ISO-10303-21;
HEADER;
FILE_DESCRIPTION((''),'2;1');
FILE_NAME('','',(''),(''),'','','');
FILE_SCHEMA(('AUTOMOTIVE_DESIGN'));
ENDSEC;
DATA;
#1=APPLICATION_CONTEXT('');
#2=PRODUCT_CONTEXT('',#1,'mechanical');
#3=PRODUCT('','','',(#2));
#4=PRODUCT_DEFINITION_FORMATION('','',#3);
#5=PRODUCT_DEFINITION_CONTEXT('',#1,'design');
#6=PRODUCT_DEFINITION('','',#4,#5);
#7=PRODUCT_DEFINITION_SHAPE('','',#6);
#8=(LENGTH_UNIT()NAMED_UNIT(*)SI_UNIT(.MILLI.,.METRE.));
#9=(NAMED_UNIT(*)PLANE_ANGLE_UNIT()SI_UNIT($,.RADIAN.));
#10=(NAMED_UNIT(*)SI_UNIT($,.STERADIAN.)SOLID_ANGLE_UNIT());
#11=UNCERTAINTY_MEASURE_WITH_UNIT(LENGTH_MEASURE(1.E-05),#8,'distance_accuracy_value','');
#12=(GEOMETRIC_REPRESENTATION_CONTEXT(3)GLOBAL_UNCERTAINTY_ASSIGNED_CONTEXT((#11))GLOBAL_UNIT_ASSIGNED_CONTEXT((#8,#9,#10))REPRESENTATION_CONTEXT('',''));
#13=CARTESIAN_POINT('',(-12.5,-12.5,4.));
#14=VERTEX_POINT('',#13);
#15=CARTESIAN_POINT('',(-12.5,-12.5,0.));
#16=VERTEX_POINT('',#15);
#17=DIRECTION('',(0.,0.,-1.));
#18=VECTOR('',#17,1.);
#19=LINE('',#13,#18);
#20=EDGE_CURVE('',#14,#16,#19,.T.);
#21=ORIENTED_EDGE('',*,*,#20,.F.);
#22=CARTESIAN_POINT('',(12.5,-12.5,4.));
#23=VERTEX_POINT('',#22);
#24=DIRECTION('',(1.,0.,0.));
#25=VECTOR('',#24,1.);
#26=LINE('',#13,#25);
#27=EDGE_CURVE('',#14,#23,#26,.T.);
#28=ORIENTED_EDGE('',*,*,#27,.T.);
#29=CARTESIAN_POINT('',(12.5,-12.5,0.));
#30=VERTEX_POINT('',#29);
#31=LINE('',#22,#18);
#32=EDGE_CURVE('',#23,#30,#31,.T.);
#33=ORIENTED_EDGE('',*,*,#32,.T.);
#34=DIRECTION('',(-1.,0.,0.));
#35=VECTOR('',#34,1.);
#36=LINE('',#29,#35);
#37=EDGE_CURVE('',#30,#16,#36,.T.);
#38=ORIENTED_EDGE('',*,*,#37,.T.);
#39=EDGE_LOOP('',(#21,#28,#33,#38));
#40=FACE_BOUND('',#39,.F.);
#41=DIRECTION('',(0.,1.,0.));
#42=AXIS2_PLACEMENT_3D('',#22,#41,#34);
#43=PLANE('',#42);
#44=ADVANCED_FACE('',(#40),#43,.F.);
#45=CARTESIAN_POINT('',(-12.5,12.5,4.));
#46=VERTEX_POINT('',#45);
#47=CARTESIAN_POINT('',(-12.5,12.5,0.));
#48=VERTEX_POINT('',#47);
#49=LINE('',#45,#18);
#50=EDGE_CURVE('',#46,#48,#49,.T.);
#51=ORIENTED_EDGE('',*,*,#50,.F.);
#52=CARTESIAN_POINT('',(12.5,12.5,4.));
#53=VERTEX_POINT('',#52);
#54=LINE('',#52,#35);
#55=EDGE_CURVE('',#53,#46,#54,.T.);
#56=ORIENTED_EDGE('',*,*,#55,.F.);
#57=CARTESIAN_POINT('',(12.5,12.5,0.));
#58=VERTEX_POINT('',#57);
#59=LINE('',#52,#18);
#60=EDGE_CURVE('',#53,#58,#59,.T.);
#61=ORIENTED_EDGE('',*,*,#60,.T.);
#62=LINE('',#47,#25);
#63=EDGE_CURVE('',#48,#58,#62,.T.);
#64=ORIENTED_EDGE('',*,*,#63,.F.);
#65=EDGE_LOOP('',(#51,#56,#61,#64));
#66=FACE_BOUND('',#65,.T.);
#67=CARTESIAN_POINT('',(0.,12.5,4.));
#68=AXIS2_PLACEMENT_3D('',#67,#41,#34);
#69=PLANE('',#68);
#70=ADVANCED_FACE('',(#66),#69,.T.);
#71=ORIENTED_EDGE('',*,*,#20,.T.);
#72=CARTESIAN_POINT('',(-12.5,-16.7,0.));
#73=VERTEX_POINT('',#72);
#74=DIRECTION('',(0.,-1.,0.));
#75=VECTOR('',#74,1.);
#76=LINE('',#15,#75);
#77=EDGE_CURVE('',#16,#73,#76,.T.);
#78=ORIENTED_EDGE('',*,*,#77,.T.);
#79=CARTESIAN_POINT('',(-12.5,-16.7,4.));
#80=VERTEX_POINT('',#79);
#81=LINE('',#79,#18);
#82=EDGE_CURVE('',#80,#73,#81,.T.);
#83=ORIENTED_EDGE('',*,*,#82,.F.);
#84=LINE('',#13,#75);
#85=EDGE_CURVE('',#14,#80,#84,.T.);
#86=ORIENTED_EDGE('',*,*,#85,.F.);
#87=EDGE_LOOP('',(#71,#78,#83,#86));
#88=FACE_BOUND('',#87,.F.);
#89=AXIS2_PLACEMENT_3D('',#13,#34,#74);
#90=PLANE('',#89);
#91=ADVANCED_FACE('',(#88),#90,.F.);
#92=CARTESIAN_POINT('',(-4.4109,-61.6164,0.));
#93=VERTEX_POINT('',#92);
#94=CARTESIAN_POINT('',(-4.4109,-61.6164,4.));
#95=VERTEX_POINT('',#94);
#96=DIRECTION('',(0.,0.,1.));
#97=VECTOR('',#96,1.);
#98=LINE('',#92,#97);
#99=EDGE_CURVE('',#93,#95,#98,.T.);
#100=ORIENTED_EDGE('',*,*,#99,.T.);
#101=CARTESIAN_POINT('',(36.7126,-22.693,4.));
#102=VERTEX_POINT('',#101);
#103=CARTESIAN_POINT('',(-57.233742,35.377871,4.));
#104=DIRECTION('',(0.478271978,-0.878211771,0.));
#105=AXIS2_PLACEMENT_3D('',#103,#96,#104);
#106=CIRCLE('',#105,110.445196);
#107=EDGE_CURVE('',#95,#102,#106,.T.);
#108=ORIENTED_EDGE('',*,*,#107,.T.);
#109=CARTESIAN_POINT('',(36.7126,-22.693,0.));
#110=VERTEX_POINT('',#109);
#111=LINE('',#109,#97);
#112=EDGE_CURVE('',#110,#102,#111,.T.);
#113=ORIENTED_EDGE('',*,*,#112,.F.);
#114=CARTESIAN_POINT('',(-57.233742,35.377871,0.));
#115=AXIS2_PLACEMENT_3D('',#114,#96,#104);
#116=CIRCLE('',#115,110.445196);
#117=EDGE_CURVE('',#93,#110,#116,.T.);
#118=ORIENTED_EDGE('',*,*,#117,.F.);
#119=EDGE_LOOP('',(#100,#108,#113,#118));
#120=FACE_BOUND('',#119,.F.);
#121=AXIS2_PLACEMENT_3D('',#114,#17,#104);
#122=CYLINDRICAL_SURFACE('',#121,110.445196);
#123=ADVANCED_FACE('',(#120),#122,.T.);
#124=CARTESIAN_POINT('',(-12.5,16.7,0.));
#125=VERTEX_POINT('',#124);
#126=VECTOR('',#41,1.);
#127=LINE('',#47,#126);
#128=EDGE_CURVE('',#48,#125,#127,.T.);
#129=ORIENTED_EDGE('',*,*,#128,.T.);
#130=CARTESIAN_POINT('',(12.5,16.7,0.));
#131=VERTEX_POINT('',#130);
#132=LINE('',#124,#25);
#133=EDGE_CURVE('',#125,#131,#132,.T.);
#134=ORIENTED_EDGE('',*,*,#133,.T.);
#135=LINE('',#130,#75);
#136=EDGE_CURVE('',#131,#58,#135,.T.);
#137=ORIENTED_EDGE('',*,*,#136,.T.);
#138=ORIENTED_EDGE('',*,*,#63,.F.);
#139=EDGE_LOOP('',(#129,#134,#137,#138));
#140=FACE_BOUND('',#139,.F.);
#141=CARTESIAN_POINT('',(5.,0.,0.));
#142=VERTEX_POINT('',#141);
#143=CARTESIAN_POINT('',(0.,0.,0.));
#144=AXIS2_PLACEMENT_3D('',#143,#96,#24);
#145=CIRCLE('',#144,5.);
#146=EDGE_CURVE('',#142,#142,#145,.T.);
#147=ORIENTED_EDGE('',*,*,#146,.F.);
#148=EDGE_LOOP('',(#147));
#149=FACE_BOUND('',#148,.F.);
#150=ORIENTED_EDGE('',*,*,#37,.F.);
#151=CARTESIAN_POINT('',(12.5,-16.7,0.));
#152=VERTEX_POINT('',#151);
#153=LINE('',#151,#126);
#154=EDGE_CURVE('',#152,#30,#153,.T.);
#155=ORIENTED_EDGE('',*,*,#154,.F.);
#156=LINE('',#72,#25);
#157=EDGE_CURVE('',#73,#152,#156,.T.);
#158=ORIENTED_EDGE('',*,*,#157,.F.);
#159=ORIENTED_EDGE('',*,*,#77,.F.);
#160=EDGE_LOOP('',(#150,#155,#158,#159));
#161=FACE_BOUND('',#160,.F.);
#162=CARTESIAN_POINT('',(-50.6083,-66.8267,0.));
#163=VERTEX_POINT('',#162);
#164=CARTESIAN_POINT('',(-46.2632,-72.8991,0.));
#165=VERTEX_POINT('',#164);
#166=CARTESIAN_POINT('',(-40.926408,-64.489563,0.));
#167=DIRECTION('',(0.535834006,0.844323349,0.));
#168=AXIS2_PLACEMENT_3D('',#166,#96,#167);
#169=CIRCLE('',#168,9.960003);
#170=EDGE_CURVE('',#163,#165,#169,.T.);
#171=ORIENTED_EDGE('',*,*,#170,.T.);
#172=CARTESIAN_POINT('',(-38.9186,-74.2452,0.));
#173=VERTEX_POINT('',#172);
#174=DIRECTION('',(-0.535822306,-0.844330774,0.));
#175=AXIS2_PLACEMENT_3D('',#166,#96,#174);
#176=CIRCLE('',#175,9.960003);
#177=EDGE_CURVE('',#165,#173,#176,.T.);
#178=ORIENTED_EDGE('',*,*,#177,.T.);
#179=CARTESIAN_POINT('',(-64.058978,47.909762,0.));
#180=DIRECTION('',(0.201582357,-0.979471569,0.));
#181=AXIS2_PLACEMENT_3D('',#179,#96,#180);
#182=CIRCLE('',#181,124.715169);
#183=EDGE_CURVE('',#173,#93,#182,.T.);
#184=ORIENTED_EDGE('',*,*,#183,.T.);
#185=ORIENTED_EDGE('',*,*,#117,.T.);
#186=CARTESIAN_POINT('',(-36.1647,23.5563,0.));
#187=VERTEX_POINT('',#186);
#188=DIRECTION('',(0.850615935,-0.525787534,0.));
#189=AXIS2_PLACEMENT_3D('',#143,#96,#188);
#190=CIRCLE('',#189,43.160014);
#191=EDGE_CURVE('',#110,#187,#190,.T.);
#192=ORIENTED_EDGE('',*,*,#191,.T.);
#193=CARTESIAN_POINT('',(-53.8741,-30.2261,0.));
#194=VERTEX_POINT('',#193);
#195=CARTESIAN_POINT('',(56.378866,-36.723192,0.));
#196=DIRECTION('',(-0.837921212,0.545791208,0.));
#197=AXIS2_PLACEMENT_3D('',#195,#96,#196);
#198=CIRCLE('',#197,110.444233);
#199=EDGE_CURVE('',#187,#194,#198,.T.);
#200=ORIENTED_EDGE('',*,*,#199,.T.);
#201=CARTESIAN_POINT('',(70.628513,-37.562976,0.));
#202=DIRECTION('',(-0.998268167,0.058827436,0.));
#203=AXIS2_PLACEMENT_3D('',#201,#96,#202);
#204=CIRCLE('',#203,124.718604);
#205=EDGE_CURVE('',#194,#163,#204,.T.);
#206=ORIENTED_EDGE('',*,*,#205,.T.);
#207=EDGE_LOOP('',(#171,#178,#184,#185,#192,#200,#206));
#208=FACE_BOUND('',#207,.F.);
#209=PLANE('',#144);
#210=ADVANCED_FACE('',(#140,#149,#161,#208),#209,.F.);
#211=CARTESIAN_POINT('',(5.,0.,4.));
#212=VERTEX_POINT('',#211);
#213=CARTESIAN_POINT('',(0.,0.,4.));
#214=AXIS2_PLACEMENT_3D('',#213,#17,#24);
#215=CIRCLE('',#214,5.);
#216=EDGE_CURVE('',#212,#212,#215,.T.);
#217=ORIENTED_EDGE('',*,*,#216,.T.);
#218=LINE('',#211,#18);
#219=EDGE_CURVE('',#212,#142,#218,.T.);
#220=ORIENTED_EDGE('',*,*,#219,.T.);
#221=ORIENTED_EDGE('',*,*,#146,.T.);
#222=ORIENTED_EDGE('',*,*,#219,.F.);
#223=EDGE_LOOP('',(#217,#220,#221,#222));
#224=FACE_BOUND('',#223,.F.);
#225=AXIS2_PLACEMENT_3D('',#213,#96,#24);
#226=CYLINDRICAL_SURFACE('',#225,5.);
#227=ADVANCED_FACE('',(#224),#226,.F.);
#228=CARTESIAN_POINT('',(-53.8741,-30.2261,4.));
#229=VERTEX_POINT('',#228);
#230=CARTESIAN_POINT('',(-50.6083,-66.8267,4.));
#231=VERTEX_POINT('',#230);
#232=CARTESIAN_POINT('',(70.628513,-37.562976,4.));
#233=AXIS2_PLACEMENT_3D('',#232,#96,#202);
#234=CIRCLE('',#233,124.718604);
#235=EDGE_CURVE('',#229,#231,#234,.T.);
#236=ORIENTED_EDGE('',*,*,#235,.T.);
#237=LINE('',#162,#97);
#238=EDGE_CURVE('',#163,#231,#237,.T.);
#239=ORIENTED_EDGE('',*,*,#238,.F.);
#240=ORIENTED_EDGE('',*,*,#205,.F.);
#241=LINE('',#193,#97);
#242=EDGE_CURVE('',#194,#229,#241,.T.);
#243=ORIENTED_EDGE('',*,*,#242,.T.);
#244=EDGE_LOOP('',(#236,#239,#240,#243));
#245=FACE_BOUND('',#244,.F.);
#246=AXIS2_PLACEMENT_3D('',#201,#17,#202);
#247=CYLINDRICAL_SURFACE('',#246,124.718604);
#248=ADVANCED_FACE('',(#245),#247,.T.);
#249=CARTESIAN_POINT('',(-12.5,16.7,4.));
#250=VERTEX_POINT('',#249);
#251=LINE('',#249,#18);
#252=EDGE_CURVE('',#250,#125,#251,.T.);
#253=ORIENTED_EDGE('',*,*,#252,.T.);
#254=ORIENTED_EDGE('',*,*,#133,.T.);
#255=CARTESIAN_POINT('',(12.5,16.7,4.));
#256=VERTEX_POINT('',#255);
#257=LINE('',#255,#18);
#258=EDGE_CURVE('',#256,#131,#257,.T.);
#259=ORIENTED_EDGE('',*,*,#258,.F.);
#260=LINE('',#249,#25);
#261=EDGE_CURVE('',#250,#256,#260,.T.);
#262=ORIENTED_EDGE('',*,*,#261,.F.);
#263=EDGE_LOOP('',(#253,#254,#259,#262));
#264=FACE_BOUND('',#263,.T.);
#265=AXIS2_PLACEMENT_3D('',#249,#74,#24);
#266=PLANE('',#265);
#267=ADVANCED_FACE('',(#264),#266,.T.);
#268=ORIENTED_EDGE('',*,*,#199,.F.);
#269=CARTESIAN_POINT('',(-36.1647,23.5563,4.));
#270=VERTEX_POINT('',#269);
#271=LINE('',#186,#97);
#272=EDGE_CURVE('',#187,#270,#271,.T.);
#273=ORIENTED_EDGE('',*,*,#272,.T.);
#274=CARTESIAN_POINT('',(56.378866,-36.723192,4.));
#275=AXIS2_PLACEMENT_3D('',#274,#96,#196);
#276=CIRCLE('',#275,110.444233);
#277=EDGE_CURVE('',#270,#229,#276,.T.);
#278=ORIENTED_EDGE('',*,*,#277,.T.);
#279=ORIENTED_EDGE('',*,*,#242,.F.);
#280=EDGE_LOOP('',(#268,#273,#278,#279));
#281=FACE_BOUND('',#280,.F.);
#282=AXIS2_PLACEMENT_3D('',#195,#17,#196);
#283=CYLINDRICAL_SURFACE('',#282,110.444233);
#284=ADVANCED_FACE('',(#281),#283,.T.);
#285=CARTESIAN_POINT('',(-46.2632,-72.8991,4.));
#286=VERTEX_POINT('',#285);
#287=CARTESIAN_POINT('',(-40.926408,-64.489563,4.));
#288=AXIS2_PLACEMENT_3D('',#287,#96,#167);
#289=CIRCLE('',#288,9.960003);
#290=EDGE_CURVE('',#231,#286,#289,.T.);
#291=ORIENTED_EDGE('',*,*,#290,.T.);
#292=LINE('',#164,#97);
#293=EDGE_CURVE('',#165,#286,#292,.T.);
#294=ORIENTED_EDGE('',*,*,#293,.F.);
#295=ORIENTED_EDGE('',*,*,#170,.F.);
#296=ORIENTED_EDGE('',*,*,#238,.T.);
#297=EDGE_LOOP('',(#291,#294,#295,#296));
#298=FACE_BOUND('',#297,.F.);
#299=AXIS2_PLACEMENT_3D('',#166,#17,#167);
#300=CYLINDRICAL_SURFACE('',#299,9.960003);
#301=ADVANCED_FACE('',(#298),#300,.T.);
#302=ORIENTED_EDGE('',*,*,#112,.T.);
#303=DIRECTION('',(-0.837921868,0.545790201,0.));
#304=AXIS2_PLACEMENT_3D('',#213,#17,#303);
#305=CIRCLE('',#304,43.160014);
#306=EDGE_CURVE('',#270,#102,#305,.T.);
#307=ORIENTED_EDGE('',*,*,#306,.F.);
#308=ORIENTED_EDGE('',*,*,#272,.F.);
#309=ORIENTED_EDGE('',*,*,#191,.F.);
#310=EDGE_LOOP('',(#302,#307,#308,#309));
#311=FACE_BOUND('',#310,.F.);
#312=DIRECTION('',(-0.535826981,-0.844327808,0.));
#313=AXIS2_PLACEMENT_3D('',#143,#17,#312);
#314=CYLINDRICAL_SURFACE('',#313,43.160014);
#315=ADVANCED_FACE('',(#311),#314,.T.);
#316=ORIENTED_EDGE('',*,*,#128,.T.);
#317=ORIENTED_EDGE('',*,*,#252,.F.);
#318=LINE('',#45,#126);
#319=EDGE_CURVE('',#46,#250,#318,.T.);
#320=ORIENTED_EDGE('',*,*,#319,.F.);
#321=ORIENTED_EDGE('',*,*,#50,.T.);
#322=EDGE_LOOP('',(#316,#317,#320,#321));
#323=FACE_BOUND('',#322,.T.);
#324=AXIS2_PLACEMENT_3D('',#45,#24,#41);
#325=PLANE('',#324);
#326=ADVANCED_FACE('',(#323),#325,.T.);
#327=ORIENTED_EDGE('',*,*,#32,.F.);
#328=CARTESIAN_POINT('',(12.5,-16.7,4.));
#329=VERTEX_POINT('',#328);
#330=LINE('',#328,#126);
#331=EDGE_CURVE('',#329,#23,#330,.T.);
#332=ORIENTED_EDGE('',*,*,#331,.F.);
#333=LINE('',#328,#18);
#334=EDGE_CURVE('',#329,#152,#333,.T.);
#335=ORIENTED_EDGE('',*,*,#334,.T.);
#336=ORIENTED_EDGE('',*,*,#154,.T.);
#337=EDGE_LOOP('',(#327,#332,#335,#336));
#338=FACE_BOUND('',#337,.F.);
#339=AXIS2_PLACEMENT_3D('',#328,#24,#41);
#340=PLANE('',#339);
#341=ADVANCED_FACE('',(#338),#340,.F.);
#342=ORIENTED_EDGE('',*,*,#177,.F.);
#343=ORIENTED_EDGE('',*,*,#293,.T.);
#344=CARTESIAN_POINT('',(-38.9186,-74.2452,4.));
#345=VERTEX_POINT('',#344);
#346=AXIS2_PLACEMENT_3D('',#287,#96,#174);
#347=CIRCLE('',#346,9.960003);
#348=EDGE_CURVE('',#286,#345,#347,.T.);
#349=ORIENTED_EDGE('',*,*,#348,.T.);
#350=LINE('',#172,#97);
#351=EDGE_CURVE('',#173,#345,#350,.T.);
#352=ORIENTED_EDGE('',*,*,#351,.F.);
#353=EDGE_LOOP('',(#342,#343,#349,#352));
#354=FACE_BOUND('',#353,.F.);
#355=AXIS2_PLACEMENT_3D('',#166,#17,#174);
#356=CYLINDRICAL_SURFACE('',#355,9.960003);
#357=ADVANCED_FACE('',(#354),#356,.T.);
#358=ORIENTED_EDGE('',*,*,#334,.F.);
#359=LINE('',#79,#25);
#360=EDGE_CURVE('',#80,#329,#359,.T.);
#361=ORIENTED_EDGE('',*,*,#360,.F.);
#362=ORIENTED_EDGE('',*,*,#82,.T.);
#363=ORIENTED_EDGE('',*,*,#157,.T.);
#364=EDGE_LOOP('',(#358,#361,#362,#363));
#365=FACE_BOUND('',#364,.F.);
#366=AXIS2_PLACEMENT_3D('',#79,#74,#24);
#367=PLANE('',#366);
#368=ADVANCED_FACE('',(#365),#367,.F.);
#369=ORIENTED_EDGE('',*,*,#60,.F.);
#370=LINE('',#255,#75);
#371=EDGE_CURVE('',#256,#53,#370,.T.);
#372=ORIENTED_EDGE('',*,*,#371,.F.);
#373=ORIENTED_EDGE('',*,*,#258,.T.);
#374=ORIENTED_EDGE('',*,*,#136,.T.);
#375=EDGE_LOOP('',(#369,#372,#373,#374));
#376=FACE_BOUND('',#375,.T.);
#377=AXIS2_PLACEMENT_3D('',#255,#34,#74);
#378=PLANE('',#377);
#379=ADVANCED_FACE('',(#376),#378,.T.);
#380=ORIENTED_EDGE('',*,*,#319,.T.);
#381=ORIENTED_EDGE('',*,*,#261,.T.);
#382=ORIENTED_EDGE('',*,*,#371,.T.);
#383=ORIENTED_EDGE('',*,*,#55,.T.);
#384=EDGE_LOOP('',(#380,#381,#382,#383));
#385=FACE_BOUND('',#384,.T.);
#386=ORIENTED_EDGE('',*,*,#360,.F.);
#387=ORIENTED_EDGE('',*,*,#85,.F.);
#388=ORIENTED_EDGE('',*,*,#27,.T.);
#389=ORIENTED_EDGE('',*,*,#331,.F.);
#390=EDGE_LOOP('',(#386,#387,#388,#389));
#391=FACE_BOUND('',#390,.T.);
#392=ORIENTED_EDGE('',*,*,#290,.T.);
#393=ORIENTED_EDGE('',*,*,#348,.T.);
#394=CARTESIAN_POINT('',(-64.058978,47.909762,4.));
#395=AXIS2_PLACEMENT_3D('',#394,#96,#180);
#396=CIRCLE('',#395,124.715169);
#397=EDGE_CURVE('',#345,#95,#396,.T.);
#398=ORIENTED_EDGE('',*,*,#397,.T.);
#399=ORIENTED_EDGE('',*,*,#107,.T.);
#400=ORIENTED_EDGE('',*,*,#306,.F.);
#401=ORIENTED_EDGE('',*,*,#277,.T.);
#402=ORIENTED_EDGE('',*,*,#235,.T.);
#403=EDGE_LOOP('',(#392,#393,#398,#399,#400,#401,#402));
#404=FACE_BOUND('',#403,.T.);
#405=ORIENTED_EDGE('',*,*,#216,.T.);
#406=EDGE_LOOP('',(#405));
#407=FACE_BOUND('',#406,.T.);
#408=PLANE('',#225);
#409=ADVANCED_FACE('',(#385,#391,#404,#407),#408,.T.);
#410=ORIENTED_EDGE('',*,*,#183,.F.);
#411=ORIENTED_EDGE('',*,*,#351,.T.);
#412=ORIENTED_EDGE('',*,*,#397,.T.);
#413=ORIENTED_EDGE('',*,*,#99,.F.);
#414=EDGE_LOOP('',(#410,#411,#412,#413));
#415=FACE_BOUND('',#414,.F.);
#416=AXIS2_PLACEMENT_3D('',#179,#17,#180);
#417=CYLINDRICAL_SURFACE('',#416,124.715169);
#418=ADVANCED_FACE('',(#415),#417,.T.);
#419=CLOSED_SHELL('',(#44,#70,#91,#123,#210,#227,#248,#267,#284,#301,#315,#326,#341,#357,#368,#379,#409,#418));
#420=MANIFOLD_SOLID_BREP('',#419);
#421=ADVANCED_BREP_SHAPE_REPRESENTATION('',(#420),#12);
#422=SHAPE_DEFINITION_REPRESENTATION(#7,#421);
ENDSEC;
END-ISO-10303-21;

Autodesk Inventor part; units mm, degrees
ref_plane "YZ Plane" through (0, 0, 0) normal (1, 0, 0) x (0, 1, 0)
ref_plane "XZ Plane" through (0, 0, 0) normal (0, 1, 0) x (-1, 0, 0)
ref_plane "XY Plane" through (0, 0, 0) normal (0, 0, 1) x (1, 0, 0)
sketch "Boceto1" plane through (0, 0, 0) normal (0, 0, 1) x (1, 0, 0)
  arc A0 (23.1263, 36.4412) -> (-23.1263, -36.4412) centre (0, 0) ccw
  arc A1 (-35.5895, -56.0801) -> (-46.2632, -72.8991) centre (-40.9264, -64.4896) ccw
  line L0 (-47.8084, -75.3339) -> (-56.2179, -69.9971)
  line L1 (-36.1647, 23.5563) -> (-50.1805, 32.4511)
  line L2 (-50.1805, 32.4511) -> (-56.2179, -69.9971)
  line L3 (-56.2179, -69.9971) -> (-53.8741, -30.2261)
  arc A2 (-36.1647, 23.5563) -> (-53.8741, -30.2261) centre (56.3793, -36.7234) ccw
  arc A3 (-53.8741, -30.2261) -> (-50.6083, -66.8267) centre (70.6269, -37.563) ccw
  line L4 (1.7789, 2.8032) -> (23.1263, 36.4412)
  line L5 (-1.7789, -2.8032) -> (-47.8084, -75.3339)
  arc A4 (-23.1263, -36.4412) -> (23.1263, 36.4412) centre (0, 0) ccw
  arc A5 (-46.2632, -72.8991) -> (-35.5895, -56.0801) centre (-40.9264, -64.4896) ccw
  line L6 (-47.8084, -75.3339) -> (-39.3988, -80.6707)
  line L7 (36.7126, -22.693) -> (50.7284, -31.5877)
  line L8 (50.7284, -31.5877) -> (-39.3988, -80.6707)
  line L9 (-39.3988, -80.6707) -> (-4.4109, -61.6164)
  arc A6 (-4.4109, -61.6164) -> (36.7126, -22.693) centre (-57.2334, 35.3774) ccw
  arc A7 (-38.9186, -74.2452) -> (-4.4109, -61.6164) centre (-64.0595, 47.9116) ccw
  dimension "d0" = 86.32
  dimension "d6" = 19.92
  dimension "d7" = 9.96
  dimension "d8" = 16.6
  dimension "d9" = 39.84
extrude "Extrusión2" add sketch "Boceto1" along normal blind 4 contours A4 A0 | A0 L5 A1 A3 A2 | A6 A7 A5 L5 A4 | L5 A1 | A5 L5
sketch "Boceto2" plane through (0, 0, 4) normal (0, 0, 1) x (1, 0, 0)
  line L0 (0, 0) -> (0, 12.5)
  line L1 (0, 12.5) -> (-12.5, 12.5)
  line L2 (-12.5, 12.5) -> (-12.5, 16.7)
  line L3 (-12.5, 16.7) -> (12.5, 16.7)
  line L4 (12.5, 16.7) -> (12.5, 12.5)
  line L5 (12.5, 12.5) -> (0, 12.5)
  line L6 (0, 0) -> (12.5, 0)
  line L7 (0, 0) -> (0, -12.5)
  line L8 (0, -12.5) -> (-12.5, -12.5)
  line L9 (-12.5, -12.5) -> (-12.5, -16.7)
  line L10 (-12.5, -16.7) -> (12.5, -16.7)
  line L11 (12.5, -16.7) -> (12.5, -12.5)
  line L12 (12.5, -12.5) -> (0, -12.5)
  circle A0 centre (0, 0) radius 5
  dimension "d24" = 12.5
  dimension "d25" = 12.5
  dimension "d26" = 4.2
  dimension "d27" = 25
  dimension "d28" = 10
extrude "Extrusión3" cut sketch "Boceto2" against normal blind 4
properties part number "leva00" material "Madera (abedul)"
